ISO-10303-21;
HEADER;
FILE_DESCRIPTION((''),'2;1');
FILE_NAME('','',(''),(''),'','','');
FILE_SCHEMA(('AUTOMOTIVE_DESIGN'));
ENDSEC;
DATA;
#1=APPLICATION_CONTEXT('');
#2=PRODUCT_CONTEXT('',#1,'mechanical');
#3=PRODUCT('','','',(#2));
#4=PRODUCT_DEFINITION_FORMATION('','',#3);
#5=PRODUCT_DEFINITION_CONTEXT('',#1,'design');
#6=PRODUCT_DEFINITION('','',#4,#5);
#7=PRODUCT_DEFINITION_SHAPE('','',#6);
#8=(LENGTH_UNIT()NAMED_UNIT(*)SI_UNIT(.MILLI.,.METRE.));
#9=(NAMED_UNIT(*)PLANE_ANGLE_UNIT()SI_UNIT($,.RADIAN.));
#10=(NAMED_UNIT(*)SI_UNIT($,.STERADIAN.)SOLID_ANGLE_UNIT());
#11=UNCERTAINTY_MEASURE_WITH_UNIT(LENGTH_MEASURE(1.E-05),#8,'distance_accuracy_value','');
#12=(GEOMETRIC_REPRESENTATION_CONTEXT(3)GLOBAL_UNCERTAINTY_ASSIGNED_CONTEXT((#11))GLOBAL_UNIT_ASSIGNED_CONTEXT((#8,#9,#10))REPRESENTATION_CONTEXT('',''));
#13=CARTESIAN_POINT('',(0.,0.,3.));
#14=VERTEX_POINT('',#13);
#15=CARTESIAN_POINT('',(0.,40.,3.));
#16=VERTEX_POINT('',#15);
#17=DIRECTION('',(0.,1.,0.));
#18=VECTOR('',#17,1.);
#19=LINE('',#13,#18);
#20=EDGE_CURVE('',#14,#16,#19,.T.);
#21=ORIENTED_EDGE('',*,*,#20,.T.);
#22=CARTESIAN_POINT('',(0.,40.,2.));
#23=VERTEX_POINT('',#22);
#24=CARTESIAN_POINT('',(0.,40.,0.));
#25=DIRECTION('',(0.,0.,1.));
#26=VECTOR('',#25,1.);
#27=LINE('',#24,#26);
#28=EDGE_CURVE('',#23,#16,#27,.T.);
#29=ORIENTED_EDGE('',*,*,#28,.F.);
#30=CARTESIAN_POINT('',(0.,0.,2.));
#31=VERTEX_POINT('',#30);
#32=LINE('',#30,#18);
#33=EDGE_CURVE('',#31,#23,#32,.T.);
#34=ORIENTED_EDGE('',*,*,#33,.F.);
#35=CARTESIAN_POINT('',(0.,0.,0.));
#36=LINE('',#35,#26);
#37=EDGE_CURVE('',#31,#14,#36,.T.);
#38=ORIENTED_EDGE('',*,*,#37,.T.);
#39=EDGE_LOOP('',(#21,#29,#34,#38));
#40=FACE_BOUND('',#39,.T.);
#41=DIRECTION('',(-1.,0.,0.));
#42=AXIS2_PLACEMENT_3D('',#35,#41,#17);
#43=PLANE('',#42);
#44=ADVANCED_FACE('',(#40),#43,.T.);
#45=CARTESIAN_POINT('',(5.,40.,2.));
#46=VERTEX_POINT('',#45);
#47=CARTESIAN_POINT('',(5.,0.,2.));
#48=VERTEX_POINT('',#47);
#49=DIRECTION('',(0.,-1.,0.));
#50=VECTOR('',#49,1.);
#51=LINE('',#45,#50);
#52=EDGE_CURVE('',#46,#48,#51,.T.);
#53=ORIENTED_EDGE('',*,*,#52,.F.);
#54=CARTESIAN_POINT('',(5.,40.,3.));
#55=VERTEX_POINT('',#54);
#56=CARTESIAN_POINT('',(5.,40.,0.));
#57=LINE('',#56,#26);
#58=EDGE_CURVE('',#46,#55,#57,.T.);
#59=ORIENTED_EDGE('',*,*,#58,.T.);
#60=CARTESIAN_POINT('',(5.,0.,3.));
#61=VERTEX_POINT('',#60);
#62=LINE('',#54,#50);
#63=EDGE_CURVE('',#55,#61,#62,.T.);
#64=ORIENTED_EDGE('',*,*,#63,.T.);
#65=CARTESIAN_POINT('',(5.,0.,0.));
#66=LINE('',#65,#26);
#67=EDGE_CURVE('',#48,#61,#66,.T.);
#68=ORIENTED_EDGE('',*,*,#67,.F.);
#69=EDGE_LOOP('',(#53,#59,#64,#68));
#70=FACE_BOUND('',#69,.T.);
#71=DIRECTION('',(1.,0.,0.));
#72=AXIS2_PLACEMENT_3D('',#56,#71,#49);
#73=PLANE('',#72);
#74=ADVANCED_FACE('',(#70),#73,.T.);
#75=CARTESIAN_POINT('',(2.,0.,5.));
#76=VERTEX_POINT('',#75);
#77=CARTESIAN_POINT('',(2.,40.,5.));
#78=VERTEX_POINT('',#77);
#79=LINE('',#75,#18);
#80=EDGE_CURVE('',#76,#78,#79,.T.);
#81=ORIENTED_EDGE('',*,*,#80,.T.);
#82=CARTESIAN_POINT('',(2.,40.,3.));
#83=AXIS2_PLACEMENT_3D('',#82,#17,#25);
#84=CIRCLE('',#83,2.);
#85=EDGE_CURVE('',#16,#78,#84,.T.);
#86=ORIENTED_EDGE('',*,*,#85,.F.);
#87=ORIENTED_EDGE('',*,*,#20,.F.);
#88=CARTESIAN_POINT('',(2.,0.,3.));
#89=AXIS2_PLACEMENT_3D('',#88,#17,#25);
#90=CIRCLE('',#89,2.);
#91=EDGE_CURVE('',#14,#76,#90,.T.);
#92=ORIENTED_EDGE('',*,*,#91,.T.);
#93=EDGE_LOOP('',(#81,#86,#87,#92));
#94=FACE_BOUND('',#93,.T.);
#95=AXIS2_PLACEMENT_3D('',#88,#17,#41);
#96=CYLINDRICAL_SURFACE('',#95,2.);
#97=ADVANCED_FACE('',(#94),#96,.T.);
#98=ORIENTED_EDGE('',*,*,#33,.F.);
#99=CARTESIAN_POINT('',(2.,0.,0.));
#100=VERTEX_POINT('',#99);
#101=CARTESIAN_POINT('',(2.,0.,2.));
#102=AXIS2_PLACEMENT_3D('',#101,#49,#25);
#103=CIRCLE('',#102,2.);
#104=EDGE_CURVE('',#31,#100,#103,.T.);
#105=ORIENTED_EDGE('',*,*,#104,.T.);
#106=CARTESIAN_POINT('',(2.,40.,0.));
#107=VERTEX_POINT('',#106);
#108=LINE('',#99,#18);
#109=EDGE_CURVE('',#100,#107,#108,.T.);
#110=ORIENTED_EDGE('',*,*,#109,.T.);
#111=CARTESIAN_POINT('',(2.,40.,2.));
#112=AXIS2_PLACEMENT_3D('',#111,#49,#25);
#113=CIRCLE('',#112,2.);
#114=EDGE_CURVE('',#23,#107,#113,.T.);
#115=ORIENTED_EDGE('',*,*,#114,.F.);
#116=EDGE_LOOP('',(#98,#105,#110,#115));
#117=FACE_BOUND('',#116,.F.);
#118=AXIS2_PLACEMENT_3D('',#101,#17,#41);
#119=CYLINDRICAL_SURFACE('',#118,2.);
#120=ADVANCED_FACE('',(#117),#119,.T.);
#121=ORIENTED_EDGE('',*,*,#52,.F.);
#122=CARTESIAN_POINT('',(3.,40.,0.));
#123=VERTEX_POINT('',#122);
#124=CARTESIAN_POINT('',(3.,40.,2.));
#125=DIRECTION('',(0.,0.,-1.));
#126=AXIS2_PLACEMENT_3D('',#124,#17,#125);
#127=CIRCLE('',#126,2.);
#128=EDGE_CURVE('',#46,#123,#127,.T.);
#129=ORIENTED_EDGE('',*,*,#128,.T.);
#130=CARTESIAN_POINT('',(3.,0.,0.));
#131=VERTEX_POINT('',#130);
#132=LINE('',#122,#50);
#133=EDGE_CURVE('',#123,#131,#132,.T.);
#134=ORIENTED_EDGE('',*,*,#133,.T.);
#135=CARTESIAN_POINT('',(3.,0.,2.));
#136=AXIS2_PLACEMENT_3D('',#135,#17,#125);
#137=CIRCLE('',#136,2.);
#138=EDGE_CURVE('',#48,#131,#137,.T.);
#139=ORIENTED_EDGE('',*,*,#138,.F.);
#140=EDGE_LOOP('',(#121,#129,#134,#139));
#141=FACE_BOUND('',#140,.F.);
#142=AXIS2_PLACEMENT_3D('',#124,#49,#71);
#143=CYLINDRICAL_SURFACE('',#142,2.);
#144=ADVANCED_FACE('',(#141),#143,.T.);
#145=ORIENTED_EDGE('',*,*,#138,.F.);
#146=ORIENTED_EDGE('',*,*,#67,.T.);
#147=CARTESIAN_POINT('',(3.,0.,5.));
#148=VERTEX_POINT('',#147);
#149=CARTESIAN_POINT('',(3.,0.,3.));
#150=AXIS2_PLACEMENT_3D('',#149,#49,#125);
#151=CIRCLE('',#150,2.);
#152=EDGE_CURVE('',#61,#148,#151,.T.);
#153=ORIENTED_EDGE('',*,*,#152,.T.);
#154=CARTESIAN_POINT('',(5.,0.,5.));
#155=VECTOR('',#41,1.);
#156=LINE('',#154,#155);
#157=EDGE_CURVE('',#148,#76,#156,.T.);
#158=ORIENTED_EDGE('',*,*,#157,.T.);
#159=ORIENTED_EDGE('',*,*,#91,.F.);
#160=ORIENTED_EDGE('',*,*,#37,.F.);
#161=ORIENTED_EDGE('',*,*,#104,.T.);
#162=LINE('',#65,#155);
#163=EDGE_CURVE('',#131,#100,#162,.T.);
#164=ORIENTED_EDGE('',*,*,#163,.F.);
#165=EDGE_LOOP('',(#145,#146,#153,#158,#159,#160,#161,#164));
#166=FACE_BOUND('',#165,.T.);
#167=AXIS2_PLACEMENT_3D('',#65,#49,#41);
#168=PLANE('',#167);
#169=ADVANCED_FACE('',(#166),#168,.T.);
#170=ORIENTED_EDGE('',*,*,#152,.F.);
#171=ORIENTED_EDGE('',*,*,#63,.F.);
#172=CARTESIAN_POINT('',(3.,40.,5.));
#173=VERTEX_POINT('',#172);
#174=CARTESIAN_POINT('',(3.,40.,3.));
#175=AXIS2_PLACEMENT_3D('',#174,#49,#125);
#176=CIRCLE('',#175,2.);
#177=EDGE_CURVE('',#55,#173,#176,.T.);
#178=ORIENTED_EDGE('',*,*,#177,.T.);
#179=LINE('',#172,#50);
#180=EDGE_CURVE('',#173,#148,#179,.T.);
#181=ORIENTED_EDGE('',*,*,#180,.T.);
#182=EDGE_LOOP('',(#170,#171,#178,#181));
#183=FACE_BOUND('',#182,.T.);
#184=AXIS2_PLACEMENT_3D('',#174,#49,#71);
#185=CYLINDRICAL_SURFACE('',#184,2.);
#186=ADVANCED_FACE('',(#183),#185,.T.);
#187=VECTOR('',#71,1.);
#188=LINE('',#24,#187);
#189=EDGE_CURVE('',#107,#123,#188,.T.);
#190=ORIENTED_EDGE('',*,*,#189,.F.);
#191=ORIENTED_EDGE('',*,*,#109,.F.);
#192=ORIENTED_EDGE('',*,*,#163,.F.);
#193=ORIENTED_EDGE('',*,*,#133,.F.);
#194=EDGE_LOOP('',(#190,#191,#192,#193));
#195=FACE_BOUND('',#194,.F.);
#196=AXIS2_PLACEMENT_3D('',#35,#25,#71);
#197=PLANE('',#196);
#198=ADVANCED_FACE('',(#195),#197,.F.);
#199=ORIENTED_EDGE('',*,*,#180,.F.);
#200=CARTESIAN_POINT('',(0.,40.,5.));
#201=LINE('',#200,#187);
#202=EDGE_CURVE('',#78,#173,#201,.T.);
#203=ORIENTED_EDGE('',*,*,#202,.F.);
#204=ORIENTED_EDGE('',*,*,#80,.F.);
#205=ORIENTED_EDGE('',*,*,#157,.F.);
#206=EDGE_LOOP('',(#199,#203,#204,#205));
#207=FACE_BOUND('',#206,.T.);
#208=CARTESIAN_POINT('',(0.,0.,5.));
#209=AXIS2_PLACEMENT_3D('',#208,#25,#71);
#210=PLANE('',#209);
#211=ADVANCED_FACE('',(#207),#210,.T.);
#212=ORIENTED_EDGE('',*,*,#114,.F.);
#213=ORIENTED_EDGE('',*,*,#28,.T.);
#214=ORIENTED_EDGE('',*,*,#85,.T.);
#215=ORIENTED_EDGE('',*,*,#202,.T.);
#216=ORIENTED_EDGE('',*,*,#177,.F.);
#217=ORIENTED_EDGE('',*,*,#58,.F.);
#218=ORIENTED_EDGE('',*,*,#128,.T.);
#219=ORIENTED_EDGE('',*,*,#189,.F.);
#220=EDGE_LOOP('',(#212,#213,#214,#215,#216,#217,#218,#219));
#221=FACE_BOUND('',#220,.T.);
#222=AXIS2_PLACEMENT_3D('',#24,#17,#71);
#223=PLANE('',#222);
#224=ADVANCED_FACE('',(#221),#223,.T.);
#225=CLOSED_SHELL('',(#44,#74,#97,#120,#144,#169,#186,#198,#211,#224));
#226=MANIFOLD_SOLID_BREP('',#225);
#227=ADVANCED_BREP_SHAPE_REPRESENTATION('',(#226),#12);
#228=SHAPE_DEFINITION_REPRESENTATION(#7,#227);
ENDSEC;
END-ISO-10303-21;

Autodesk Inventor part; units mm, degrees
ref_plane "YZ Plane" through (0, 0, 0) normal (1, 0, 0) x (0, 1, 0)
ref_plane "XZ Plane" through (0, 0, 0) normal (0, 1, 0) x (-1, 0, 0)
ref_plane "XY Plane" through (0, 0, 0) normal (0, 0, 1) x (1, 0, 0)
sketch "Szkic1" plane through (0, 0, 0) normal (0, 0, 1) x (1, 0, 0)
  line L0 (0, 0) -> (0, 40)
  line L1 (0, 40) -> (5, 40)
  line L2 (5, 40) -> (5, 0)
  line L3 (5, 0) -> (0, 0)
  dimension "d0" = 40
  dimension "d1" = 5
extrude "Wyciągnięcie proste1" add sketch "Szkic1" along normal blind 5
fillet "Zaokrąglenie1" radius 2 4 edges at (5, 20, 5) (5, 20, 0) (0, 20, 0) (0, 20, 5)
properties part number "Noga"
